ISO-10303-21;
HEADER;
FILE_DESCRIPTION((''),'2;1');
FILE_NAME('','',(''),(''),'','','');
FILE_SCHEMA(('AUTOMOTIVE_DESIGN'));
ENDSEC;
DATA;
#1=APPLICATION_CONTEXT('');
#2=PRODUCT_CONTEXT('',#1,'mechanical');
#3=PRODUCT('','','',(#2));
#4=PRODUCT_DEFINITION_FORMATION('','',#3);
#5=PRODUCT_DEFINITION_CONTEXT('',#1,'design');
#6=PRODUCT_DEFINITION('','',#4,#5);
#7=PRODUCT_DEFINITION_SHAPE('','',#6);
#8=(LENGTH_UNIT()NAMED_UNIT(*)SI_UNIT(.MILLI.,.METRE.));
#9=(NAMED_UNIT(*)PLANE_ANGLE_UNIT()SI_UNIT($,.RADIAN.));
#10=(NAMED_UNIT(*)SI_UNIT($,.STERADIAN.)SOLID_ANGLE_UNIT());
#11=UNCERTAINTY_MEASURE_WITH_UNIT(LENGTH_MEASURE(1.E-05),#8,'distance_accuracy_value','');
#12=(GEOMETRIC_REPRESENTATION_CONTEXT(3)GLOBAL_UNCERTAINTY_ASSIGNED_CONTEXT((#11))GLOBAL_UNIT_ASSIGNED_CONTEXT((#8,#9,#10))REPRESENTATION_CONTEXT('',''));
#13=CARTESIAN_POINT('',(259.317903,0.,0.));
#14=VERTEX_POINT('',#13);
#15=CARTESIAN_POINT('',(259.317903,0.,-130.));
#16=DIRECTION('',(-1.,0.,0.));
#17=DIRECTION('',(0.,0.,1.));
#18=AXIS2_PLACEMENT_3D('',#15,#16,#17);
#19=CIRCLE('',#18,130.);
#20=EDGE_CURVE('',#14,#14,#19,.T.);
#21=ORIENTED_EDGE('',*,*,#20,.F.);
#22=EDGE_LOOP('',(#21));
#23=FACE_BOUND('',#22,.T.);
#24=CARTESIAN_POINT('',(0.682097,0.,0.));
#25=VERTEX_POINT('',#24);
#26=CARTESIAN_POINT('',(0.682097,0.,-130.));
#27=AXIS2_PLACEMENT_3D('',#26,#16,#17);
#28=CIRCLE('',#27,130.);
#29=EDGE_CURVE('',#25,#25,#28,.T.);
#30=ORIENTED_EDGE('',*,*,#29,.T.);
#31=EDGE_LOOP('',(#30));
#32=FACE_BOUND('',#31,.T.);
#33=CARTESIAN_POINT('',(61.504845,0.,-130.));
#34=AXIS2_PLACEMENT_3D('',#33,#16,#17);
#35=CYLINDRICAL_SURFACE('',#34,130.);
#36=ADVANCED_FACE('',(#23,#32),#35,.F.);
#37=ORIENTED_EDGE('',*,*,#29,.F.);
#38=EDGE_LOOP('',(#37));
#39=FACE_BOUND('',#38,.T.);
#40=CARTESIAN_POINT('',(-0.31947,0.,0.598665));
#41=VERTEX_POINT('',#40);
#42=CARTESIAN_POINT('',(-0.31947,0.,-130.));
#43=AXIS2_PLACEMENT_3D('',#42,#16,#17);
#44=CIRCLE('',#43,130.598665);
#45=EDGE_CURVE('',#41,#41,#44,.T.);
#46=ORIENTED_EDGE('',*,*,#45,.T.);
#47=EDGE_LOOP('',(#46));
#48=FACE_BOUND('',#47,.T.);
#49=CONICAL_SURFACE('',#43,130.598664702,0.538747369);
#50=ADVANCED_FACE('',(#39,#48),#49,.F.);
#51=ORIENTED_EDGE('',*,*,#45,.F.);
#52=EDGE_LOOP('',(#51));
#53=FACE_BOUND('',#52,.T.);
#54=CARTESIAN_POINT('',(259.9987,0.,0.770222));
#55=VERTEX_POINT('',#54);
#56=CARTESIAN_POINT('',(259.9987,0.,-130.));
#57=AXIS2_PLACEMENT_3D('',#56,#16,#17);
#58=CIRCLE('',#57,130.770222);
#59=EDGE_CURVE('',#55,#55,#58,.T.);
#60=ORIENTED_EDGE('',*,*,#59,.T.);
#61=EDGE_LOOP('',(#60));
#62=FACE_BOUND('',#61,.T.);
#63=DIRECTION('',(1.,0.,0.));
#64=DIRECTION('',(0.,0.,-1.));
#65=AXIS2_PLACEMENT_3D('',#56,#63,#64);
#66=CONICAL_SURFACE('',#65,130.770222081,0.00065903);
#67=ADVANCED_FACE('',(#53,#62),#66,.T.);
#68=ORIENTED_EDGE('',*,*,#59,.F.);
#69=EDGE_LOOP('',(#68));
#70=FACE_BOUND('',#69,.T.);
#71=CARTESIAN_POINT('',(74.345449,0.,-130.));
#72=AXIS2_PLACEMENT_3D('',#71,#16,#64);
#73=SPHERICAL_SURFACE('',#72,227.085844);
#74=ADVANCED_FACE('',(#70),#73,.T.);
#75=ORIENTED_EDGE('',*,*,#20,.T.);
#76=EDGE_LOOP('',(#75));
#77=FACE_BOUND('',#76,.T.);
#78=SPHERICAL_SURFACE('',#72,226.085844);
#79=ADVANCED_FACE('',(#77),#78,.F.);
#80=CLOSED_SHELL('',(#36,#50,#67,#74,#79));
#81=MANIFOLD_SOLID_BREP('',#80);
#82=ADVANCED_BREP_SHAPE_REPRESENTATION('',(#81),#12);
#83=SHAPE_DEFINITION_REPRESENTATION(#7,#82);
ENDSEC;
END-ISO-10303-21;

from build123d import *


with BuildPart() as part:
    # Sketch1 → Revolve9 (revolve)
    with BuildSketch(Plane(origin=(0, 0, 0), x_dir=(1, 0, 0), z_dir=(0, 1, 0))):
        with BuildLine():
            Line((-0.319470256, 260.598664702), (0.682096548, 260))
            Line((0.682096548, 260), (259.317903452, 260))
            ThreePointArc((259.317903452, 260), (289.90804135, 198.17314503), (300.431293161, 130))
            Line((300.431293161, 130), (301.431293161, 130))
            ThreePointArc((301.431293161, 130), (290.825477923, 198.588466156), (259.998700011, 260.770222081))
            Line((259.998700011, 260.770222081), (-0.319470256, 260.598664702))
        make_face()
    revolve(axis=Axis((61.504845389, 0, -130), (1, 0, 0)))


solid = part.part
